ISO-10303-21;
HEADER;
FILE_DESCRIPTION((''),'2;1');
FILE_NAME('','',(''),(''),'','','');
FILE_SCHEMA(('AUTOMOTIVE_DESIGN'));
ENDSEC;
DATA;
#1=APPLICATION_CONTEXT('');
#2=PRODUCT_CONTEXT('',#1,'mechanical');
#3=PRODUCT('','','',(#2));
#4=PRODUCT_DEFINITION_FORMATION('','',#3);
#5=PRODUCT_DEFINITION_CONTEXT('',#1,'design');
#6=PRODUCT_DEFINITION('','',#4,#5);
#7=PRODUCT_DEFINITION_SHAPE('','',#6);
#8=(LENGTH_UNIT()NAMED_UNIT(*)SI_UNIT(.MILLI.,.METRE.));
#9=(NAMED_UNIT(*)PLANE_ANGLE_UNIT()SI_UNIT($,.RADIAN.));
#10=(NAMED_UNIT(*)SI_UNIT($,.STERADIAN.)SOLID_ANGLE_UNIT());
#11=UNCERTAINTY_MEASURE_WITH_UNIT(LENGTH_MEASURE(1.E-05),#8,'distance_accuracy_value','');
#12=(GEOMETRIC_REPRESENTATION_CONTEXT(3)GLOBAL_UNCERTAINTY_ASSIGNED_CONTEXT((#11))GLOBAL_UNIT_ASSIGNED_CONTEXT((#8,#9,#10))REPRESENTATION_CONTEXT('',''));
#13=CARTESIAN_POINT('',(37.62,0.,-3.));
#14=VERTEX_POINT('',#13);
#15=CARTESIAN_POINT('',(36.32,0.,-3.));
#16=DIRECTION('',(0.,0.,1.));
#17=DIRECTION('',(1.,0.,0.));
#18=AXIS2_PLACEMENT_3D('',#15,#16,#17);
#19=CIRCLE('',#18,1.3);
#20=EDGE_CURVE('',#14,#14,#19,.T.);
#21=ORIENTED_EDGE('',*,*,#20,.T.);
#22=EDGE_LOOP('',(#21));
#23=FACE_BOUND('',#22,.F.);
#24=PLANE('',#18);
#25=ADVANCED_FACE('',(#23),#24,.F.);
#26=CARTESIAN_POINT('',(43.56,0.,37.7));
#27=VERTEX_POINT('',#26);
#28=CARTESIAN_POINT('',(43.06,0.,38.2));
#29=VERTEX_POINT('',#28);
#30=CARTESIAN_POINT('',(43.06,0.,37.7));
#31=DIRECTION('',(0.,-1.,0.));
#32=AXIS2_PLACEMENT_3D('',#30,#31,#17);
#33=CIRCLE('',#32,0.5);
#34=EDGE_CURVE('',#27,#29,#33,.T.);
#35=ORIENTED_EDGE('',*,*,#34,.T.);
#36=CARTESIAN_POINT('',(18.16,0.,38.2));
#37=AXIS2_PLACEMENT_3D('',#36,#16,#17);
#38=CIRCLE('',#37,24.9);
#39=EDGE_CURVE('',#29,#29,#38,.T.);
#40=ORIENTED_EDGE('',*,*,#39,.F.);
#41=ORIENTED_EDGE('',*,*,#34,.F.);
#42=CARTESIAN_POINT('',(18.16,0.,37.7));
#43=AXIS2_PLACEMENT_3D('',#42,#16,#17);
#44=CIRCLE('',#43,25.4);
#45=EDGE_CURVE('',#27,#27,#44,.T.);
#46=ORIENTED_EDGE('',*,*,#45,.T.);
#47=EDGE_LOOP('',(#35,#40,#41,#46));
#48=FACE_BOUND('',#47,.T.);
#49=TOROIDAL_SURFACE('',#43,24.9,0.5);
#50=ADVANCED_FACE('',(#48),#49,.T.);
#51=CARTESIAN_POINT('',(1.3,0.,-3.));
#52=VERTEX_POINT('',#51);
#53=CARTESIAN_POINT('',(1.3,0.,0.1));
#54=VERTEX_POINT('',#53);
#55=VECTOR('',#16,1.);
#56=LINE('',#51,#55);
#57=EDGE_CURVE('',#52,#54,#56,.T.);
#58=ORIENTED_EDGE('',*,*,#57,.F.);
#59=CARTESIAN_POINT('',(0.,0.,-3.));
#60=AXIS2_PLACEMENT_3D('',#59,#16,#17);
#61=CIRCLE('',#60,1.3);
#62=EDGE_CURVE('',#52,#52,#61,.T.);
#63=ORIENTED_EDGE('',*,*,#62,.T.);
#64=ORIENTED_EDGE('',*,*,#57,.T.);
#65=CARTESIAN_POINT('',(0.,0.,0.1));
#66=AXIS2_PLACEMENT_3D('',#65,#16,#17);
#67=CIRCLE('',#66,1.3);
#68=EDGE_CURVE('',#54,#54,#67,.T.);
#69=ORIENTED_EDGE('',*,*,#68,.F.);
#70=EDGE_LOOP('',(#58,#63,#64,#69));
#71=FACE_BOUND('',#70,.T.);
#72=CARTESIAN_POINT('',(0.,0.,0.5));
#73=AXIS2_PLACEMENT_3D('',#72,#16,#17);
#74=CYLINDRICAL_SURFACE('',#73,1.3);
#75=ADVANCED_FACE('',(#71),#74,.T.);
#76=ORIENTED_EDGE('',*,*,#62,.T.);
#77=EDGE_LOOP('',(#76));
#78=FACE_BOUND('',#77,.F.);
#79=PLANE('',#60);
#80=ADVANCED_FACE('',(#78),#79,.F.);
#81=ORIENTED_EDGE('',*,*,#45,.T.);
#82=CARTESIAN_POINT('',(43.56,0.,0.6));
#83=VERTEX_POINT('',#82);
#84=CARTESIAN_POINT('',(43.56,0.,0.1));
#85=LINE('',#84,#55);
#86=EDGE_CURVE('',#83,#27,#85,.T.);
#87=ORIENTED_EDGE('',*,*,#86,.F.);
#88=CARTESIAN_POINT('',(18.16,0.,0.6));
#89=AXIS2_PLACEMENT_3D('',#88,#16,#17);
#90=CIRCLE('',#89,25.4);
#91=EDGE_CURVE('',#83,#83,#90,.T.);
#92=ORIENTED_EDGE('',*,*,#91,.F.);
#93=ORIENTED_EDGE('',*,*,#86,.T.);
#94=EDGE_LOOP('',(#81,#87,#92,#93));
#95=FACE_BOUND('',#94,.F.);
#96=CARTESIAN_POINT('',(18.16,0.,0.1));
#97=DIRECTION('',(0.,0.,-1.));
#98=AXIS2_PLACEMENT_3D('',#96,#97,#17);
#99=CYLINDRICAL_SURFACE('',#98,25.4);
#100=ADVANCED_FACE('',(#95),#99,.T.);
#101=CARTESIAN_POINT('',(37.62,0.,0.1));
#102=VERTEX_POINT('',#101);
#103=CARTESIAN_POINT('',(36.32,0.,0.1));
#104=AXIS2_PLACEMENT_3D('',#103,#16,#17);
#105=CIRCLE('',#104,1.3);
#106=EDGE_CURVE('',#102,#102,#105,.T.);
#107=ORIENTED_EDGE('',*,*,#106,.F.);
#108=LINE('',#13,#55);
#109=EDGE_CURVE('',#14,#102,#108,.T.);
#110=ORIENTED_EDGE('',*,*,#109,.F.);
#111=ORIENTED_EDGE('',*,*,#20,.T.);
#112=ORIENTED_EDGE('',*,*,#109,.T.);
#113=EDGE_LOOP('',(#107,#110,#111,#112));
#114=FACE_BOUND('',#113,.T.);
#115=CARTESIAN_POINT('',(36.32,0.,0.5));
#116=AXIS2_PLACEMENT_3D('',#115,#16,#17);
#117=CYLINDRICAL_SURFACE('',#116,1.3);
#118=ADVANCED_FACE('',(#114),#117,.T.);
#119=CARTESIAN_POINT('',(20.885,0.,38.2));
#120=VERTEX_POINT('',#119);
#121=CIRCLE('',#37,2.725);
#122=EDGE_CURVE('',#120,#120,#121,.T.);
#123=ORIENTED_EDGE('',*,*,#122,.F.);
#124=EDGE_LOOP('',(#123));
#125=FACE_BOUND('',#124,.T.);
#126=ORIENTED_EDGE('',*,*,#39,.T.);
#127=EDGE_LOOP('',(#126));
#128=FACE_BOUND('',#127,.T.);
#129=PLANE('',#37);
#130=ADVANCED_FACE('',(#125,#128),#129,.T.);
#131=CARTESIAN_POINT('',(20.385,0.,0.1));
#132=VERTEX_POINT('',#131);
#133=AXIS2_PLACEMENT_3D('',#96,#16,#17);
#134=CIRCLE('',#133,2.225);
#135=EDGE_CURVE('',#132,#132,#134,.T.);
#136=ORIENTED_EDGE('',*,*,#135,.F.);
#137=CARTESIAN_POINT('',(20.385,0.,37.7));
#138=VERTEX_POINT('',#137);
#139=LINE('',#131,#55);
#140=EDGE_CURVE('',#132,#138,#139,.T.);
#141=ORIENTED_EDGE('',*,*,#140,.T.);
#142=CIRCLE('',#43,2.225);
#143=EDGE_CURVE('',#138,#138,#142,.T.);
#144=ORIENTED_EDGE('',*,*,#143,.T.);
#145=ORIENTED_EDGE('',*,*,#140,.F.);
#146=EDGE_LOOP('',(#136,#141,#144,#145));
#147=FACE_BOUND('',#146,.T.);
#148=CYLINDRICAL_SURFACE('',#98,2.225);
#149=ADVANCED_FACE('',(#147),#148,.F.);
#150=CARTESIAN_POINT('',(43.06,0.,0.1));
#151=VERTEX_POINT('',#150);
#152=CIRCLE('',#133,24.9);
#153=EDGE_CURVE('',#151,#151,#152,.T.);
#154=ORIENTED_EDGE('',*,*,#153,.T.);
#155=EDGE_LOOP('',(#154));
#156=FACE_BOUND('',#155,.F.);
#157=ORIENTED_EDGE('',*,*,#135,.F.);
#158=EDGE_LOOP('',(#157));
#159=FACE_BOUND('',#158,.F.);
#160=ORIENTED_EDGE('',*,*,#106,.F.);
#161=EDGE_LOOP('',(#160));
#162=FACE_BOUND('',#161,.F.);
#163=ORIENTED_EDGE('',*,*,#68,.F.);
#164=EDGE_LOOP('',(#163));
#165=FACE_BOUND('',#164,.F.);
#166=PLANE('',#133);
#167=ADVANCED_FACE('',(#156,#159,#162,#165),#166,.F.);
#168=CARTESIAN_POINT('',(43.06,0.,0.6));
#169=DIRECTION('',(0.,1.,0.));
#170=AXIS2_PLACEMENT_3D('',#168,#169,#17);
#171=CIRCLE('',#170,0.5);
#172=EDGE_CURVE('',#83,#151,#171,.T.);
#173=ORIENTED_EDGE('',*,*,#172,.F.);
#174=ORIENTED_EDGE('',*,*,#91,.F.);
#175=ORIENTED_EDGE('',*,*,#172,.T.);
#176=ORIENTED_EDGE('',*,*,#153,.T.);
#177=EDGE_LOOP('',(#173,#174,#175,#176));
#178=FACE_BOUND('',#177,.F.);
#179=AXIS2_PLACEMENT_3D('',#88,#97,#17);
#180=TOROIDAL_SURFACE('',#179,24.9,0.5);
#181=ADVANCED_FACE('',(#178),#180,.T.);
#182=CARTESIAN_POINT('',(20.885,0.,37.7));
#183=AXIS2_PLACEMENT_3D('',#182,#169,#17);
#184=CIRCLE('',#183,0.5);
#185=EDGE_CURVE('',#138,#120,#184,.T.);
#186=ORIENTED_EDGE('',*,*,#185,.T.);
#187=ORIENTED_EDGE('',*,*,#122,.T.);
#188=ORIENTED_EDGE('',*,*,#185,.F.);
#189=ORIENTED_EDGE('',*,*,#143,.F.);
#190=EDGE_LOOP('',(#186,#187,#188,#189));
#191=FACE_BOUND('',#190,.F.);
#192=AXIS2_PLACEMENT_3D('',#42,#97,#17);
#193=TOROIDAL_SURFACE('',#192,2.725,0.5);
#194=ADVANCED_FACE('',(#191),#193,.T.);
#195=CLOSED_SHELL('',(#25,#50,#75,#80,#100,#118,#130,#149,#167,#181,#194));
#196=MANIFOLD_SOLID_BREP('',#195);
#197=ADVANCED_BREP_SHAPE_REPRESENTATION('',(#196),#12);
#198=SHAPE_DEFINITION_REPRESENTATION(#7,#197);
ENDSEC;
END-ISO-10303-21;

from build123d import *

# Parameters (mm, degrees)
SKETCH001_R       = 1.3
PAD001_DEPTH      = 19.05
PAD001_DEPTH_BACK = 3.5
SKETCH_R          = 25.4
SKETCH_R_2        = 2.225
PAD_DEPTH         = 38.1
FILLET_R          = 0.5


with BuildPart() as pad001:
    # Sketch001 → Pad001 (new body, two sides)
    with BuildSketch(Plane.XY.offset(0.5)) as pad001_sk:
        Circle(SKETCH001_R)
        with Locations((36.32, 0)):
            Circle(SKETCH001_R)
    extrude(amount=PAD001_DEPTH)
    extrude(pad001_sk.sketch, amount=-PAD001_DEPTH_BACK)


with BuildPart() as fillet_mp_cp:
    # Sketch → Pad (new body)
    with BuildSketch(Plane.XY.offset(0.1)):
        with Locations((18.16, 0)):
            Circle(SKETCH_R)
        with Locations((18.16, 0)):
            Circle(SKETCH_R_2, mode=Mode.SUBTRACT)
    extrude(amount=PAD_DEPTH)

    # Fillet
    fillet_edges = [fillet_mp_cp.edges().sort_by_distance(p)[0] for p in [
        (15.935, 0, 38.2),
        (-7.24, 0, 38.2),
        (-7.24, 0, 0.1),
    ]]
    fillet(fillet_edges, radius=FILLET_R)

    # Fillet_mp_cp: union Pad001
    add(pad001.part)


solid = fillet_mp_cp.part
